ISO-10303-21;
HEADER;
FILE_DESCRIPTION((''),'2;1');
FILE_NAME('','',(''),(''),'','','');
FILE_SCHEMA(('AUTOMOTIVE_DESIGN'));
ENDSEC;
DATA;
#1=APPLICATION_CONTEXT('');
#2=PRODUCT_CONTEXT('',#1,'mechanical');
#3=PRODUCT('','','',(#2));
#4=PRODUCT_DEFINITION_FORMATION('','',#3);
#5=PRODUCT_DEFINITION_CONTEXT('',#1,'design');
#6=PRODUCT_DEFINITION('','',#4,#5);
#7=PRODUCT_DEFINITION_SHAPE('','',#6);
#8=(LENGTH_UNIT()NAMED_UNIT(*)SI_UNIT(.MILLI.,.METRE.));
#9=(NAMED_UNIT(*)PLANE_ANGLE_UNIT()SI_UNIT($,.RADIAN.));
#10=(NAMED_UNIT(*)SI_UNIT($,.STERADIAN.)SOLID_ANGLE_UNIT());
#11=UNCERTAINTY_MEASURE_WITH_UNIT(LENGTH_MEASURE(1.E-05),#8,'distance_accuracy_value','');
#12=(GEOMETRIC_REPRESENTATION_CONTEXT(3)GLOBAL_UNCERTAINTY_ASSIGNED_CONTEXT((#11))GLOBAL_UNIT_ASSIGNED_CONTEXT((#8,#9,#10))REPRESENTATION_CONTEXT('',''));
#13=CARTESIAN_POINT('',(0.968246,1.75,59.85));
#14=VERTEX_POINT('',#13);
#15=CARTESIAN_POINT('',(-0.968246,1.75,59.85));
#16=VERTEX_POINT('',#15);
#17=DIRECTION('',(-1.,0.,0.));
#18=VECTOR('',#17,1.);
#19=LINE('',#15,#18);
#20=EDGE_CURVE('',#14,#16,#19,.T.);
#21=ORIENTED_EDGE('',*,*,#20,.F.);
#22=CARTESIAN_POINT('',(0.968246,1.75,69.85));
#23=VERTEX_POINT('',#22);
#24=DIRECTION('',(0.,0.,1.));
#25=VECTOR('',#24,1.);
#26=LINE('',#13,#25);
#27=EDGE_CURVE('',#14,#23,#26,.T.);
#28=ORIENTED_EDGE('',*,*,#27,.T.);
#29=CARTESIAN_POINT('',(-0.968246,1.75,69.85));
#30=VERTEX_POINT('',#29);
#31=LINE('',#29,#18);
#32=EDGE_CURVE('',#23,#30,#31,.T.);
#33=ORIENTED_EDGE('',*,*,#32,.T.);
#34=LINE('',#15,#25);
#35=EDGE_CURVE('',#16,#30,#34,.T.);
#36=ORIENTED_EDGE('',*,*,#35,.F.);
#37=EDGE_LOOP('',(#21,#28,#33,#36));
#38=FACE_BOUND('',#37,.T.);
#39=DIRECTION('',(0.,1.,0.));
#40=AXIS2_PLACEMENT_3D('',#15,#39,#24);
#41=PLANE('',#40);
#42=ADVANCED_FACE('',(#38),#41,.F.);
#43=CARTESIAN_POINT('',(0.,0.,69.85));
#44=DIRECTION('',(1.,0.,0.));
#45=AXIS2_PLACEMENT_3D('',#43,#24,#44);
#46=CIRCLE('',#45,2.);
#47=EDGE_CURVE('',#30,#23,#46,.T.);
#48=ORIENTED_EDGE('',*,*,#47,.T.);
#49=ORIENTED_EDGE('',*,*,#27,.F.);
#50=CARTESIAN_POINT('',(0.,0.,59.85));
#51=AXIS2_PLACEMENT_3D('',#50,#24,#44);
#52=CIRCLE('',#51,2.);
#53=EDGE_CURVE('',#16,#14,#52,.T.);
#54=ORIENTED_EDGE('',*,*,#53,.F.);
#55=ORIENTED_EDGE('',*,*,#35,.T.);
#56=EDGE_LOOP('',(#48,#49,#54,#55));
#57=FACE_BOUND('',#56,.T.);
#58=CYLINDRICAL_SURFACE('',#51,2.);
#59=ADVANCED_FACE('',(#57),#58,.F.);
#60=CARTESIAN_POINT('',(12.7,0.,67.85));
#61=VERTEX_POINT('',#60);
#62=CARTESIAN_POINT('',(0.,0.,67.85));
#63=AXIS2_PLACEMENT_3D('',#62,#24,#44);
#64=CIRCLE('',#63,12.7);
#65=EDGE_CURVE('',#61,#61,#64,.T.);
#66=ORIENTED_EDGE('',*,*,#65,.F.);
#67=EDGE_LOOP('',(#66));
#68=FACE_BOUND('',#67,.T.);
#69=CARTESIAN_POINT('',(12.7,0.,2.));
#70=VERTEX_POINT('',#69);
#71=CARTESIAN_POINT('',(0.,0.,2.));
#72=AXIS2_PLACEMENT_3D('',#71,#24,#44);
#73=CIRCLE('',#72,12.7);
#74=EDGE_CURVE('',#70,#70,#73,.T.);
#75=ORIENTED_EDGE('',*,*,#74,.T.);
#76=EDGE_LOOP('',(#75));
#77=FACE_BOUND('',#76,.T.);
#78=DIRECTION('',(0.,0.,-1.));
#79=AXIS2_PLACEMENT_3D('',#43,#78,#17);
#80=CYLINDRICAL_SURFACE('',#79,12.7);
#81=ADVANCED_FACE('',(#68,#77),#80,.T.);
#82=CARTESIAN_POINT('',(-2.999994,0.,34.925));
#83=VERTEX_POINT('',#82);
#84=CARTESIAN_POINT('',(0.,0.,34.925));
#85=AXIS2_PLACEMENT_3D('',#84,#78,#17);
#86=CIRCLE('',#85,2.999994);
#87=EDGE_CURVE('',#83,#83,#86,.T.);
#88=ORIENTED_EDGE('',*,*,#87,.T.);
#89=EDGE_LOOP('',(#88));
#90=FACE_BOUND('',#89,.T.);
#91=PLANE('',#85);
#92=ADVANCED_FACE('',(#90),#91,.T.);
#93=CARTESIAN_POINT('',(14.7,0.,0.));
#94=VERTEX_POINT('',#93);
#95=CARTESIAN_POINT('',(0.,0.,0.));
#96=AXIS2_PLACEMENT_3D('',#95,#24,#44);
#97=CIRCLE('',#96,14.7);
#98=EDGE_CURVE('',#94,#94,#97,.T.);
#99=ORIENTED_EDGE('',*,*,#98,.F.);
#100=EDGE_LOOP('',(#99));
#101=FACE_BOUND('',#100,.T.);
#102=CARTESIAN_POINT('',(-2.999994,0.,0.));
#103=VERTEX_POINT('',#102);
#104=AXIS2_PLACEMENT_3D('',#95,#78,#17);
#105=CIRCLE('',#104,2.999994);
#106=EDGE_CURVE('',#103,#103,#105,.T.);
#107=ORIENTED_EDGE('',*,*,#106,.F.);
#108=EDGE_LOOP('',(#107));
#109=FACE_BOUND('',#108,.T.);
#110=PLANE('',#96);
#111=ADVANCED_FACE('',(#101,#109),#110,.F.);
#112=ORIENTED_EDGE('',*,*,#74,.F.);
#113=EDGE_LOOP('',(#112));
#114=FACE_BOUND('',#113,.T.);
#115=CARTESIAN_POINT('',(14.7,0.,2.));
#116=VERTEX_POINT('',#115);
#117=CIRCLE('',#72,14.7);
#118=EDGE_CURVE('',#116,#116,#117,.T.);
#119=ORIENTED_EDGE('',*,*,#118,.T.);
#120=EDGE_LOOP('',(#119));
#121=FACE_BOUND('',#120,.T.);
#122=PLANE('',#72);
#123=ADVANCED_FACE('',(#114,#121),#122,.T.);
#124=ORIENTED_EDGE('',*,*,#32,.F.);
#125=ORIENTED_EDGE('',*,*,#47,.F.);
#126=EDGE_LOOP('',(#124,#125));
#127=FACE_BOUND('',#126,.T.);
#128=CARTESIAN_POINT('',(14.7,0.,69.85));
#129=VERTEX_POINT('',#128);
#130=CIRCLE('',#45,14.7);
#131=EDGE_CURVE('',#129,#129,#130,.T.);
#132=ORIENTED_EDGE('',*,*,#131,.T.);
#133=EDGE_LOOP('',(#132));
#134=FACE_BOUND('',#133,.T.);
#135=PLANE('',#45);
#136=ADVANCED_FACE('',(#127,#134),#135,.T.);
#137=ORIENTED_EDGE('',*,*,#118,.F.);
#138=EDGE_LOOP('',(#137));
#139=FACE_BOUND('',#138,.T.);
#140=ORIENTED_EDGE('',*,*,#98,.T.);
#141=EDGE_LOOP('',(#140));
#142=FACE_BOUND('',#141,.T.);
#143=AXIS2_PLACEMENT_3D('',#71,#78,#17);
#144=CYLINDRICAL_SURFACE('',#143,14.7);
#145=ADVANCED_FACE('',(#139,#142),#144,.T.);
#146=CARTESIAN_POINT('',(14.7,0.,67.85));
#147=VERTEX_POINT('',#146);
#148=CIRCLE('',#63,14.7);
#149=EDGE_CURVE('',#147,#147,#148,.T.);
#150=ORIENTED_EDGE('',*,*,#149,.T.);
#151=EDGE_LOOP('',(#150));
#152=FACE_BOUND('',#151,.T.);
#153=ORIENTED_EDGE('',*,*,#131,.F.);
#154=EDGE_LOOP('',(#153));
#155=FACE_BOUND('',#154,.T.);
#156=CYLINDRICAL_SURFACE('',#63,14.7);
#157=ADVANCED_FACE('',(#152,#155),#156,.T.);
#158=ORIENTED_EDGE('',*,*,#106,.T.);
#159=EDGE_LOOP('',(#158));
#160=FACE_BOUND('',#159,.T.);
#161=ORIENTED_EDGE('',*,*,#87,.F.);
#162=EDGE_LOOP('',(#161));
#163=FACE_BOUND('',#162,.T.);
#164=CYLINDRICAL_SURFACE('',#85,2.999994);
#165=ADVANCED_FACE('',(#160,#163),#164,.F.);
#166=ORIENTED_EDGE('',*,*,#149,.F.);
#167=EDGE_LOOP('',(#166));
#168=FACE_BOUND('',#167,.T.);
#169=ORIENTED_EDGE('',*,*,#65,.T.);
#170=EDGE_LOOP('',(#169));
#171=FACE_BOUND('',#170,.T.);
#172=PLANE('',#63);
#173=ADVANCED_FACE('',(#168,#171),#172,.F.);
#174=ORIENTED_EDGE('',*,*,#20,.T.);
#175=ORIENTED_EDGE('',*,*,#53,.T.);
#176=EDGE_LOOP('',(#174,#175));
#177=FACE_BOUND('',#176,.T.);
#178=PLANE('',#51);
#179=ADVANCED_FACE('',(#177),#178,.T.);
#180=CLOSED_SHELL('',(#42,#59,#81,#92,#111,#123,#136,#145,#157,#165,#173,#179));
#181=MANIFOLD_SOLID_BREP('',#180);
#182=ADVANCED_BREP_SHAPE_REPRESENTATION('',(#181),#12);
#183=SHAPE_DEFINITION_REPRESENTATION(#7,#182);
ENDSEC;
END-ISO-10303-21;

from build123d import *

# Parameters (mm, degrees)
SKETCH1_R           = 12.7
BOSS_EXTRUDE1_DEPTH = 69.85
CUT_EXTRUDE1_DEPTH  = 10
SKETCH3_R           = 2.999994
CUT_EXTRUDE2_DEPTH  = 34.925
SKETCH5_R           = 14.7
SKETCH5_R_2         = 2.999994
BOSS_EXTRUDE2_DEPTH = 2
BOSS_EXTRUDE5_START = 69.85
SKETCH8_R           = 14.7
BOSS_EXTRUDE5_DEPTH = 2


with BuildPart() as part:
    # Sketch1 → Boss-Extrude1 (new body)
    with BuildSketch(Plane.XY):
        Circle(SKETCH1_R)
    extrude(amount=BOSS_EXTRUDE1_DEPTH)

    # Sketch2 → Cut-Extrude1 (cut)
    with BuildSketch(Plane.XY.offset(69.85)):
        with BuildLine():
            Line((-0.968245837, 1.75), (0.968245837, 1.75))
            ThreePointArc((0.968245837, 1.75), (0, -2), (-0.968245837, 1.75))
        make_face()
    extrude(amount=-CUT_EXTRUDE1_DEPTH, mode=Mode.SUBTRACT)

    # Sketch3 → Cut-Extrude2 (cut)
    with BuildSketch(Plane(origin=(0, 0, 0), x_dir=(-1, 0, 0), z_dir=(0, 0, -1))):
        Circle(SKETCH3_R)
    extrude(amount=-CUT_EXTRUDE2_DEPTH, mode=Mode.SUBTRACT)

    # Sketch5 → Boss-Extrude2 (add)
    with BuildSketch(Plane.XY):
        Circle(SKETCH5_R)
        with Locations(Location((0, 0, 0), (0, 0, 180))):
            Circle(SKETCH5_R_2, mode=Mode.SUBTRACT)
    extrude(amount=BOSS_EXTRUDE2_DEPTH)

    # Sketch8 → Boss-Extrude5 (add)
    with BuildSketch(Plane.XY.offset(BOSS_EXTRUDE5_START)):
        Circle(SKETCH8_R)
        with BuildLine():
            Line((-0.968245837, 1.75), (0.968245837, 1.75))
            ThreePointArc((0.968245837, 1.75), (0, -2), (-0.968245837, 1.75))
        make_face(mode=Mode.SUBTRACT)
    extrude(amount=-BOSS_EXTRUDE5_DEPTH)


solid = part.part
